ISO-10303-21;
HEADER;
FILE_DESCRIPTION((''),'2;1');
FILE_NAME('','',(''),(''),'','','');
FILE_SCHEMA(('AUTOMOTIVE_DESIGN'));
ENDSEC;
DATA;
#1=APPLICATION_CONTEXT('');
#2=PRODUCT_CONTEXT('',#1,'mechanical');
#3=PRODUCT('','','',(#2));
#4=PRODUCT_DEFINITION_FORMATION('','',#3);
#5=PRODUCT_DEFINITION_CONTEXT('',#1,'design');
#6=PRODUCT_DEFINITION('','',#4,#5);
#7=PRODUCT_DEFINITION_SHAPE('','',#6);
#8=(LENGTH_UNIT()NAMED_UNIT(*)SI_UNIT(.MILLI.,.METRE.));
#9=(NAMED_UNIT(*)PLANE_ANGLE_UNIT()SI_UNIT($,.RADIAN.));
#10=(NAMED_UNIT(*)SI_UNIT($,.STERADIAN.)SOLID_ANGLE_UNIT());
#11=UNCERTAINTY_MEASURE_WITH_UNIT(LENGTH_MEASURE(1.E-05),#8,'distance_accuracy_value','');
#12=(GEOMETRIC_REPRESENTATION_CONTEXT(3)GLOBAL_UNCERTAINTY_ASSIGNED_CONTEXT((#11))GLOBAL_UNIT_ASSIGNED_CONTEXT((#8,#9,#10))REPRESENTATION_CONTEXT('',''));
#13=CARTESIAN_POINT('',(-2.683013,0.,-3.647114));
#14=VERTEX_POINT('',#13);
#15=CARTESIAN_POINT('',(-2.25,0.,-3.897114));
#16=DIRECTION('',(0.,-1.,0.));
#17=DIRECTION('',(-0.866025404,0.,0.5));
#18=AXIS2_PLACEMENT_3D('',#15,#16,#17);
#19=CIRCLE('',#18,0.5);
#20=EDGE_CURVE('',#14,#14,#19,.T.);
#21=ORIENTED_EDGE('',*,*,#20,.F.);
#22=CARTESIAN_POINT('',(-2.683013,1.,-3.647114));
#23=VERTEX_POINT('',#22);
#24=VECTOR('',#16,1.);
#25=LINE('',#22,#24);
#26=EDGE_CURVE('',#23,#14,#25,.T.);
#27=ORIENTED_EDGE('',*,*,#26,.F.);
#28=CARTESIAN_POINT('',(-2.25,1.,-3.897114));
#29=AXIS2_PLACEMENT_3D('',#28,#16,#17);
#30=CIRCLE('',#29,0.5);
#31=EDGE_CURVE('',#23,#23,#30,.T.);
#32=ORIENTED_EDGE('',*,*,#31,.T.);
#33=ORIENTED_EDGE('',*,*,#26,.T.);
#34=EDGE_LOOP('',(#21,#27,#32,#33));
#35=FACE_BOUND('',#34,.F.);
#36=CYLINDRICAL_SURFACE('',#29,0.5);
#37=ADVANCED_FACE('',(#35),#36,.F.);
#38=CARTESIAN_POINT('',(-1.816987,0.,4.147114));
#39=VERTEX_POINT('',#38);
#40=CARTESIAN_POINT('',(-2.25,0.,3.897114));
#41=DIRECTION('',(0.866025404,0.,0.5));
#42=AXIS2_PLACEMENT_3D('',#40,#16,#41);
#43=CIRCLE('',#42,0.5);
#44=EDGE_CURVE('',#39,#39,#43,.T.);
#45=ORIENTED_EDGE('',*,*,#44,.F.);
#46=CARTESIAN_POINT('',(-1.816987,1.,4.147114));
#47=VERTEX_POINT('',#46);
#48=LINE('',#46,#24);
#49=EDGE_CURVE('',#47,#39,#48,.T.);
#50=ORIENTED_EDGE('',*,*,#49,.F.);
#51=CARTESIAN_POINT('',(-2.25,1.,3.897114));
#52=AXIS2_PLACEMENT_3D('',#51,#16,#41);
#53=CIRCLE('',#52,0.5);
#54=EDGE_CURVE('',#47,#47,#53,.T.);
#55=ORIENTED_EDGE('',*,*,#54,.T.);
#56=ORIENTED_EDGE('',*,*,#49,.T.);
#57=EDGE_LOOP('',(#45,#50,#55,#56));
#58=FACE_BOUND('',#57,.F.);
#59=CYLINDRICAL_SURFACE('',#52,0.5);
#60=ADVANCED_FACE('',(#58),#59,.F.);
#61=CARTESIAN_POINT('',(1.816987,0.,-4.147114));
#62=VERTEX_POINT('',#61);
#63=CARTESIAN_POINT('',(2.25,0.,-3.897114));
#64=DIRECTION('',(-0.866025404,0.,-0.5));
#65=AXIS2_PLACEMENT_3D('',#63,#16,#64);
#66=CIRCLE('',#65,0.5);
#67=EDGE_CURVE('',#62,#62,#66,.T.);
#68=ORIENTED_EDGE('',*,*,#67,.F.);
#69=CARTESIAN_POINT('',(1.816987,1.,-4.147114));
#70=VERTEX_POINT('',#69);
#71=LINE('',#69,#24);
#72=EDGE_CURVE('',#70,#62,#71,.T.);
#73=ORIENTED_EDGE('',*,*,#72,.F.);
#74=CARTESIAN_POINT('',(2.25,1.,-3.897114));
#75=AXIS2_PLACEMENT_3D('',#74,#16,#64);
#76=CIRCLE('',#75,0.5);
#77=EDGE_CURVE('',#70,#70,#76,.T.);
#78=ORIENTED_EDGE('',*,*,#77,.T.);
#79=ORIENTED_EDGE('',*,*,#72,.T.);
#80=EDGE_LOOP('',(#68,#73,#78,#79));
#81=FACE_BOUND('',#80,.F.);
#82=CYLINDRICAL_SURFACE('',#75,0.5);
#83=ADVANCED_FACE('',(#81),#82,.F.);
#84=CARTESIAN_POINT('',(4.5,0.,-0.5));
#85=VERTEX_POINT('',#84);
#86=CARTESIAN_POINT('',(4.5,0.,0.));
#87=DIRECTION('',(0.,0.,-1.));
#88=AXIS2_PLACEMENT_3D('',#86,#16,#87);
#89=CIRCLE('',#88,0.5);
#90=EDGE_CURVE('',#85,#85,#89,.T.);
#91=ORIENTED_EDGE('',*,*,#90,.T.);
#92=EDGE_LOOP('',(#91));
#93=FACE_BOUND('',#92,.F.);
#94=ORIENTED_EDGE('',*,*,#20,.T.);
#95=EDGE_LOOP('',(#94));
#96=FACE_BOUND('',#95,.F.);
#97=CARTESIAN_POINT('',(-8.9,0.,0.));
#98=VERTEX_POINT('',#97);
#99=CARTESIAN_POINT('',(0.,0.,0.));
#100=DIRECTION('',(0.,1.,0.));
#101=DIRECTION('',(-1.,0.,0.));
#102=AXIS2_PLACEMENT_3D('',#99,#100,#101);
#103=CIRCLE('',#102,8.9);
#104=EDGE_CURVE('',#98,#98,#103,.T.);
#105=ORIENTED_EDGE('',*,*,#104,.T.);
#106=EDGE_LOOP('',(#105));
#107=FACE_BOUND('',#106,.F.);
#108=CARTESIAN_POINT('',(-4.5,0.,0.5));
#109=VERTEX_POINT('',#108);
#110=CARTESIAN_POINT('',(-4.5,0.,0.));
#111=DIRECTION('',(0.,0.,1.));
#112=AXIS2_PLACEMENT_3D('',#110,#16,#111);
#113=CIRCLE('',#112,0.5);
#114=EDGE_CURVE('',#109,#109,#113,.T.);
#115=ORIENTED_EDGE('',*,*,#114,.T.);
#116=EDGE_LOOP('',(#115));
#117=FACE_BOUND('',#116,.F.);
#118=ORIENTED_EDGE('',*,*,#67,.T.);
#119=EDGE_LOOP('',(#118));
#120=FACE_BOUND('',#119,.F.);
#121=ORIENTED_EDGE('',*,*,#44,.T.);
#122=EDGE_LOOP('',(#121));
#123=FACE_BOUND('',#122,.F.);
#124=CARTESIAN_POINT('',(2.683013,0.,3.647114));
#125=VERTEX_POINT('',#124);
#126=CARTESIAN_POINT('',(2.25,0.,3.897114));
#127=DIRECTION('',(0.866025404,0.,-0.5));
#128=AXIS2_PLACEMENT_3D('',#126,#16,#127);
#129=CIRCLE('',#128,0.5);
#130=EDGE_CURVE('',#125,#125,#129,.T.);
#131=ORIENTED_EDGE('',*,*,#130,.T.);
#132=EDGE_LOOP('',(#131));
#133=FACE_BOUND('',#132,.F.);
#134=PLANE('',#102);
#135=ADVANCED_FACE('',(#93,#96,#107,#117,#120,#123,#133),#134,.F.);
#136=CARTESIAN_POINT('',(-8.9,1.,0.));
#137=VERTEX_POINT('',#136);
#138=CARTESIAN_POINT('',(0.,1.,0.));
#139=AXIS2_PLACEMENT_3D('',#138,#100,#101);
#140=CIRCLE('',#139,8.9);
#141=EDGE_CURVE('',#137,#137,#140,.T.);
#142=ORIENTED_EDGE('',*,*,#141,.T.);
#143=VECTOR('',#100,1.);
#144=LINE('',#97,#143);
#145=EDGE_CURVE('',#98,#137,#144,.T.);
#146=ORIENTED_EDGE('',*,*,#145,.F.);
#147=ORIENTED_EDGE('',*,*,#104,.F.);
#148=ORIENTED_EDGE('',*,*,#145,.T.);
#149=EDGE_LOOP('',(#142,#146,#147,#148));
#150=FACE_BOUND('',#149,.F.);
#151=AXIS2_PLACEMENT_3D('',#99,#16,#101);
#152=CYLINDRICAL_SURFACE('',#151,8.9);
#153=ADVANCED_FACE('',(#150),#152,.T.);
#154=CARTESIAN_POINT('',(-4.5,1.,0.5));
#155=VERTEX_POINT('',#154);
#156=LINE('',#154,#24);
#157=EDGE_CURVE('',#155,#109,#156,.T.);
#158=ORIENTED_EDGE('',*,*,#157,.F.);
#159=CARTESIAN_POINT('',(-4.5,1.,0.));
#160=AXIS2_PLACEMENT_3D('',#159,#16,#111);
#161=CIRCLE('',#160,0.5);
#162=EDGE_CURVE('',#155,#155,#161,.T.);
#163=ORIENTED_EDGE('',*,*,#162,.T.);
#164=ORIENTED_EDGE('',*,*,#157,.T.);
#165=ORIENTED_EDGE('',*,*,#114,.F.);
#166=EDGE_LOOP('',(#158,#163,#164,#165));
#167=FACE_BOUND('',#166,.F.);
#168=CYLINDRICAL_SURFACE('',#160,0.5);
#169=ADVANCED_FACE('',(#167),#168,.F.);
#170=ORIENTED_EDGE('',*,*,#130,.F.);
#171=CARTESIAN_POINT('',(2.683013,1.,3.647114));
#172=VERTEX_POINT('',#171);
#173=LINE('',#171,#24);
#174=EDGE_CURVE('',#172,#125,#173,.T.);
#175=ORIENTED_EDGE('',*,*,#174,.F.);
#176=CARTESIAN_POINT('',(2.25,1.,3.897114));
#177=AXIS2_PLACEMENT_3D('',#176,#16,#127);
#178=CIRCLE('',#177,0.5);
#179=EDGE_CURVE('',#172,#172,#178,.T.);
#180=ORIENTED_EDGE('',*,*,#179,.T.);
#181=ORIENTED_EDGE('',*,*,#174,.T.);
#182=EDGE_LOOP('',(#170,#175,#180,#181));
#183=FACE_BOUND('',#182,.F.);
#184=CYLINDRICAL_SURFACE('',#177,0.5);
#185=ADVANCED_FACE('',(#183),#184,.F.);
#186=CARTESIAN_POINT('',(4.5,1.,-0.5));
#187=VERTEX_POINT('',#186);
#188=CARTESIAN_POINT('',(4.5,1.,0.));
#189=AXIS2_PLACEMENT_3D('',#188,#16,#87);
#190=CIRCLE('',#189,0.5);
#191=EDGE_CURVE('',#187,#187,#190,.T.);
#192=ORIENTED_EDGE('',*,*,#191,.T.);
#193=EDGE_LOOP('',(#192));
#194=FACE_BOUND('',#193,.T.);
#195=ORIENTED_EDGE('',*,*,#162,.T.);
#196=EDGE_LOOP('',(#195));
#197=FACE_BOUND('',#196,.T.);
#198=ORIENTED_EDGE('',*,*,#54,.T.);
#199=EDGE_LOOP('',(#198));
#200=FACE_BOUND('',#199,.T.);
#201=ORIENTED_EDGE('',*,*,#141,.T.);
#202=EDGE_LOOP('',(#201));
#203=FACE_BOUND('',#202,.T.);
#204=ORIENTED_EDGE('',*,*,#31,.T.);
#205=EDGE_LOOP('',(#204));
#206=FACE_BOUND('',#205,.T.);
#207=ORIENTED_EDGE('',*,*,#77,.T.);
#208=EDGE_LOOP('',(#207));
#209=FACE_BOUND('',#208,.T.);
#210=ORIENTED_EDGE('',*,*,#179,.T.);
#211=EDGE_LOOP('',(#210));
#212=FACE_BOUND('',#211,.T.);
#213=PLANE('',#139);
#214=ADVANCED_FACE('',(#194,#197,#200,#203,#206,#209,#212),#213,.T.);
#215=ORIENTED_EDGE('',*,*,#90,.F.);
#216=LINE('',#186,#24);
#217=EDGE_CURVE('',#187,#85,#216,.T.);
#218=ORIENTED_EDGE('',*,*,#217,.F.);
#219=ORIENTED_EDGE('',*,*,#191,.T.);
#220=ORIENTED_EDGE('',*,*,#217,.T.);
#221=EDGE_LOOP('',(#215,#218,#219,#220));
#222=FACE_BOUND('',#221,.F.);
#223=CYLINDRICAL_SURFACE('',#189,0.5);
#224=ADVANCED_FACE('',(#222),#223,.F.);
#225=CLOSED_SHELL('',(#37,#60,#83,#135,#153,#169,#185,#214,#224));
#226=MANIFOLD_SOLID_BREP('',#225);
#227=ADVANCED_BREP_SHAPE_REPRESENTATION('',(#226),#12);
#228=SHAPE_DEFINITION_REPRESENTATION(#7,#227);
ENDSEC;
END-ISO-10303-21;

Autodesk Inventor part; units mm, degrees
ref_plane "YZ Plane" through (0, 0, 0) normal (1, 0, 0) x (0, 1, 0)
ref_plane "XZ Plane" through (0, 0, 0) normal (0, 1, 0) x (-1, 0, 0)
ref_plane "XY Plane" through (0, 0, 0) normal (0, 0, 1) x (1, 0, 0)
sketch "Sketch1" plane through (0, 0, 0) normal (0, 1, 0) x (-1, 0, 0)
  circle A0 centre (0, 0) radius 8.9
  dimension "d0" = 17.8
extrude "Extrusion1" add sketch "Sketch1" along normal blind 1
sketch "Sketch2" plane through (0, 1, 0) normal (0, 1, 0) x (1, 0, 0)
  point P0 (0, 0)
  point P1 (-4.5, 0)
  dimension "d4" = 4.5
hole "Hole1" at (-4.5, 1, 0) direction (0, -1, 0) diameter 1 end through all
pattern_circular "Circular Pattern1" count 6 over 360 about axis through (0, 0, 0) along (0, 1, 0) of "Hole1"
properties part number "EpoxyFitThroughKF16_mask" material "Epoxy Resin"
